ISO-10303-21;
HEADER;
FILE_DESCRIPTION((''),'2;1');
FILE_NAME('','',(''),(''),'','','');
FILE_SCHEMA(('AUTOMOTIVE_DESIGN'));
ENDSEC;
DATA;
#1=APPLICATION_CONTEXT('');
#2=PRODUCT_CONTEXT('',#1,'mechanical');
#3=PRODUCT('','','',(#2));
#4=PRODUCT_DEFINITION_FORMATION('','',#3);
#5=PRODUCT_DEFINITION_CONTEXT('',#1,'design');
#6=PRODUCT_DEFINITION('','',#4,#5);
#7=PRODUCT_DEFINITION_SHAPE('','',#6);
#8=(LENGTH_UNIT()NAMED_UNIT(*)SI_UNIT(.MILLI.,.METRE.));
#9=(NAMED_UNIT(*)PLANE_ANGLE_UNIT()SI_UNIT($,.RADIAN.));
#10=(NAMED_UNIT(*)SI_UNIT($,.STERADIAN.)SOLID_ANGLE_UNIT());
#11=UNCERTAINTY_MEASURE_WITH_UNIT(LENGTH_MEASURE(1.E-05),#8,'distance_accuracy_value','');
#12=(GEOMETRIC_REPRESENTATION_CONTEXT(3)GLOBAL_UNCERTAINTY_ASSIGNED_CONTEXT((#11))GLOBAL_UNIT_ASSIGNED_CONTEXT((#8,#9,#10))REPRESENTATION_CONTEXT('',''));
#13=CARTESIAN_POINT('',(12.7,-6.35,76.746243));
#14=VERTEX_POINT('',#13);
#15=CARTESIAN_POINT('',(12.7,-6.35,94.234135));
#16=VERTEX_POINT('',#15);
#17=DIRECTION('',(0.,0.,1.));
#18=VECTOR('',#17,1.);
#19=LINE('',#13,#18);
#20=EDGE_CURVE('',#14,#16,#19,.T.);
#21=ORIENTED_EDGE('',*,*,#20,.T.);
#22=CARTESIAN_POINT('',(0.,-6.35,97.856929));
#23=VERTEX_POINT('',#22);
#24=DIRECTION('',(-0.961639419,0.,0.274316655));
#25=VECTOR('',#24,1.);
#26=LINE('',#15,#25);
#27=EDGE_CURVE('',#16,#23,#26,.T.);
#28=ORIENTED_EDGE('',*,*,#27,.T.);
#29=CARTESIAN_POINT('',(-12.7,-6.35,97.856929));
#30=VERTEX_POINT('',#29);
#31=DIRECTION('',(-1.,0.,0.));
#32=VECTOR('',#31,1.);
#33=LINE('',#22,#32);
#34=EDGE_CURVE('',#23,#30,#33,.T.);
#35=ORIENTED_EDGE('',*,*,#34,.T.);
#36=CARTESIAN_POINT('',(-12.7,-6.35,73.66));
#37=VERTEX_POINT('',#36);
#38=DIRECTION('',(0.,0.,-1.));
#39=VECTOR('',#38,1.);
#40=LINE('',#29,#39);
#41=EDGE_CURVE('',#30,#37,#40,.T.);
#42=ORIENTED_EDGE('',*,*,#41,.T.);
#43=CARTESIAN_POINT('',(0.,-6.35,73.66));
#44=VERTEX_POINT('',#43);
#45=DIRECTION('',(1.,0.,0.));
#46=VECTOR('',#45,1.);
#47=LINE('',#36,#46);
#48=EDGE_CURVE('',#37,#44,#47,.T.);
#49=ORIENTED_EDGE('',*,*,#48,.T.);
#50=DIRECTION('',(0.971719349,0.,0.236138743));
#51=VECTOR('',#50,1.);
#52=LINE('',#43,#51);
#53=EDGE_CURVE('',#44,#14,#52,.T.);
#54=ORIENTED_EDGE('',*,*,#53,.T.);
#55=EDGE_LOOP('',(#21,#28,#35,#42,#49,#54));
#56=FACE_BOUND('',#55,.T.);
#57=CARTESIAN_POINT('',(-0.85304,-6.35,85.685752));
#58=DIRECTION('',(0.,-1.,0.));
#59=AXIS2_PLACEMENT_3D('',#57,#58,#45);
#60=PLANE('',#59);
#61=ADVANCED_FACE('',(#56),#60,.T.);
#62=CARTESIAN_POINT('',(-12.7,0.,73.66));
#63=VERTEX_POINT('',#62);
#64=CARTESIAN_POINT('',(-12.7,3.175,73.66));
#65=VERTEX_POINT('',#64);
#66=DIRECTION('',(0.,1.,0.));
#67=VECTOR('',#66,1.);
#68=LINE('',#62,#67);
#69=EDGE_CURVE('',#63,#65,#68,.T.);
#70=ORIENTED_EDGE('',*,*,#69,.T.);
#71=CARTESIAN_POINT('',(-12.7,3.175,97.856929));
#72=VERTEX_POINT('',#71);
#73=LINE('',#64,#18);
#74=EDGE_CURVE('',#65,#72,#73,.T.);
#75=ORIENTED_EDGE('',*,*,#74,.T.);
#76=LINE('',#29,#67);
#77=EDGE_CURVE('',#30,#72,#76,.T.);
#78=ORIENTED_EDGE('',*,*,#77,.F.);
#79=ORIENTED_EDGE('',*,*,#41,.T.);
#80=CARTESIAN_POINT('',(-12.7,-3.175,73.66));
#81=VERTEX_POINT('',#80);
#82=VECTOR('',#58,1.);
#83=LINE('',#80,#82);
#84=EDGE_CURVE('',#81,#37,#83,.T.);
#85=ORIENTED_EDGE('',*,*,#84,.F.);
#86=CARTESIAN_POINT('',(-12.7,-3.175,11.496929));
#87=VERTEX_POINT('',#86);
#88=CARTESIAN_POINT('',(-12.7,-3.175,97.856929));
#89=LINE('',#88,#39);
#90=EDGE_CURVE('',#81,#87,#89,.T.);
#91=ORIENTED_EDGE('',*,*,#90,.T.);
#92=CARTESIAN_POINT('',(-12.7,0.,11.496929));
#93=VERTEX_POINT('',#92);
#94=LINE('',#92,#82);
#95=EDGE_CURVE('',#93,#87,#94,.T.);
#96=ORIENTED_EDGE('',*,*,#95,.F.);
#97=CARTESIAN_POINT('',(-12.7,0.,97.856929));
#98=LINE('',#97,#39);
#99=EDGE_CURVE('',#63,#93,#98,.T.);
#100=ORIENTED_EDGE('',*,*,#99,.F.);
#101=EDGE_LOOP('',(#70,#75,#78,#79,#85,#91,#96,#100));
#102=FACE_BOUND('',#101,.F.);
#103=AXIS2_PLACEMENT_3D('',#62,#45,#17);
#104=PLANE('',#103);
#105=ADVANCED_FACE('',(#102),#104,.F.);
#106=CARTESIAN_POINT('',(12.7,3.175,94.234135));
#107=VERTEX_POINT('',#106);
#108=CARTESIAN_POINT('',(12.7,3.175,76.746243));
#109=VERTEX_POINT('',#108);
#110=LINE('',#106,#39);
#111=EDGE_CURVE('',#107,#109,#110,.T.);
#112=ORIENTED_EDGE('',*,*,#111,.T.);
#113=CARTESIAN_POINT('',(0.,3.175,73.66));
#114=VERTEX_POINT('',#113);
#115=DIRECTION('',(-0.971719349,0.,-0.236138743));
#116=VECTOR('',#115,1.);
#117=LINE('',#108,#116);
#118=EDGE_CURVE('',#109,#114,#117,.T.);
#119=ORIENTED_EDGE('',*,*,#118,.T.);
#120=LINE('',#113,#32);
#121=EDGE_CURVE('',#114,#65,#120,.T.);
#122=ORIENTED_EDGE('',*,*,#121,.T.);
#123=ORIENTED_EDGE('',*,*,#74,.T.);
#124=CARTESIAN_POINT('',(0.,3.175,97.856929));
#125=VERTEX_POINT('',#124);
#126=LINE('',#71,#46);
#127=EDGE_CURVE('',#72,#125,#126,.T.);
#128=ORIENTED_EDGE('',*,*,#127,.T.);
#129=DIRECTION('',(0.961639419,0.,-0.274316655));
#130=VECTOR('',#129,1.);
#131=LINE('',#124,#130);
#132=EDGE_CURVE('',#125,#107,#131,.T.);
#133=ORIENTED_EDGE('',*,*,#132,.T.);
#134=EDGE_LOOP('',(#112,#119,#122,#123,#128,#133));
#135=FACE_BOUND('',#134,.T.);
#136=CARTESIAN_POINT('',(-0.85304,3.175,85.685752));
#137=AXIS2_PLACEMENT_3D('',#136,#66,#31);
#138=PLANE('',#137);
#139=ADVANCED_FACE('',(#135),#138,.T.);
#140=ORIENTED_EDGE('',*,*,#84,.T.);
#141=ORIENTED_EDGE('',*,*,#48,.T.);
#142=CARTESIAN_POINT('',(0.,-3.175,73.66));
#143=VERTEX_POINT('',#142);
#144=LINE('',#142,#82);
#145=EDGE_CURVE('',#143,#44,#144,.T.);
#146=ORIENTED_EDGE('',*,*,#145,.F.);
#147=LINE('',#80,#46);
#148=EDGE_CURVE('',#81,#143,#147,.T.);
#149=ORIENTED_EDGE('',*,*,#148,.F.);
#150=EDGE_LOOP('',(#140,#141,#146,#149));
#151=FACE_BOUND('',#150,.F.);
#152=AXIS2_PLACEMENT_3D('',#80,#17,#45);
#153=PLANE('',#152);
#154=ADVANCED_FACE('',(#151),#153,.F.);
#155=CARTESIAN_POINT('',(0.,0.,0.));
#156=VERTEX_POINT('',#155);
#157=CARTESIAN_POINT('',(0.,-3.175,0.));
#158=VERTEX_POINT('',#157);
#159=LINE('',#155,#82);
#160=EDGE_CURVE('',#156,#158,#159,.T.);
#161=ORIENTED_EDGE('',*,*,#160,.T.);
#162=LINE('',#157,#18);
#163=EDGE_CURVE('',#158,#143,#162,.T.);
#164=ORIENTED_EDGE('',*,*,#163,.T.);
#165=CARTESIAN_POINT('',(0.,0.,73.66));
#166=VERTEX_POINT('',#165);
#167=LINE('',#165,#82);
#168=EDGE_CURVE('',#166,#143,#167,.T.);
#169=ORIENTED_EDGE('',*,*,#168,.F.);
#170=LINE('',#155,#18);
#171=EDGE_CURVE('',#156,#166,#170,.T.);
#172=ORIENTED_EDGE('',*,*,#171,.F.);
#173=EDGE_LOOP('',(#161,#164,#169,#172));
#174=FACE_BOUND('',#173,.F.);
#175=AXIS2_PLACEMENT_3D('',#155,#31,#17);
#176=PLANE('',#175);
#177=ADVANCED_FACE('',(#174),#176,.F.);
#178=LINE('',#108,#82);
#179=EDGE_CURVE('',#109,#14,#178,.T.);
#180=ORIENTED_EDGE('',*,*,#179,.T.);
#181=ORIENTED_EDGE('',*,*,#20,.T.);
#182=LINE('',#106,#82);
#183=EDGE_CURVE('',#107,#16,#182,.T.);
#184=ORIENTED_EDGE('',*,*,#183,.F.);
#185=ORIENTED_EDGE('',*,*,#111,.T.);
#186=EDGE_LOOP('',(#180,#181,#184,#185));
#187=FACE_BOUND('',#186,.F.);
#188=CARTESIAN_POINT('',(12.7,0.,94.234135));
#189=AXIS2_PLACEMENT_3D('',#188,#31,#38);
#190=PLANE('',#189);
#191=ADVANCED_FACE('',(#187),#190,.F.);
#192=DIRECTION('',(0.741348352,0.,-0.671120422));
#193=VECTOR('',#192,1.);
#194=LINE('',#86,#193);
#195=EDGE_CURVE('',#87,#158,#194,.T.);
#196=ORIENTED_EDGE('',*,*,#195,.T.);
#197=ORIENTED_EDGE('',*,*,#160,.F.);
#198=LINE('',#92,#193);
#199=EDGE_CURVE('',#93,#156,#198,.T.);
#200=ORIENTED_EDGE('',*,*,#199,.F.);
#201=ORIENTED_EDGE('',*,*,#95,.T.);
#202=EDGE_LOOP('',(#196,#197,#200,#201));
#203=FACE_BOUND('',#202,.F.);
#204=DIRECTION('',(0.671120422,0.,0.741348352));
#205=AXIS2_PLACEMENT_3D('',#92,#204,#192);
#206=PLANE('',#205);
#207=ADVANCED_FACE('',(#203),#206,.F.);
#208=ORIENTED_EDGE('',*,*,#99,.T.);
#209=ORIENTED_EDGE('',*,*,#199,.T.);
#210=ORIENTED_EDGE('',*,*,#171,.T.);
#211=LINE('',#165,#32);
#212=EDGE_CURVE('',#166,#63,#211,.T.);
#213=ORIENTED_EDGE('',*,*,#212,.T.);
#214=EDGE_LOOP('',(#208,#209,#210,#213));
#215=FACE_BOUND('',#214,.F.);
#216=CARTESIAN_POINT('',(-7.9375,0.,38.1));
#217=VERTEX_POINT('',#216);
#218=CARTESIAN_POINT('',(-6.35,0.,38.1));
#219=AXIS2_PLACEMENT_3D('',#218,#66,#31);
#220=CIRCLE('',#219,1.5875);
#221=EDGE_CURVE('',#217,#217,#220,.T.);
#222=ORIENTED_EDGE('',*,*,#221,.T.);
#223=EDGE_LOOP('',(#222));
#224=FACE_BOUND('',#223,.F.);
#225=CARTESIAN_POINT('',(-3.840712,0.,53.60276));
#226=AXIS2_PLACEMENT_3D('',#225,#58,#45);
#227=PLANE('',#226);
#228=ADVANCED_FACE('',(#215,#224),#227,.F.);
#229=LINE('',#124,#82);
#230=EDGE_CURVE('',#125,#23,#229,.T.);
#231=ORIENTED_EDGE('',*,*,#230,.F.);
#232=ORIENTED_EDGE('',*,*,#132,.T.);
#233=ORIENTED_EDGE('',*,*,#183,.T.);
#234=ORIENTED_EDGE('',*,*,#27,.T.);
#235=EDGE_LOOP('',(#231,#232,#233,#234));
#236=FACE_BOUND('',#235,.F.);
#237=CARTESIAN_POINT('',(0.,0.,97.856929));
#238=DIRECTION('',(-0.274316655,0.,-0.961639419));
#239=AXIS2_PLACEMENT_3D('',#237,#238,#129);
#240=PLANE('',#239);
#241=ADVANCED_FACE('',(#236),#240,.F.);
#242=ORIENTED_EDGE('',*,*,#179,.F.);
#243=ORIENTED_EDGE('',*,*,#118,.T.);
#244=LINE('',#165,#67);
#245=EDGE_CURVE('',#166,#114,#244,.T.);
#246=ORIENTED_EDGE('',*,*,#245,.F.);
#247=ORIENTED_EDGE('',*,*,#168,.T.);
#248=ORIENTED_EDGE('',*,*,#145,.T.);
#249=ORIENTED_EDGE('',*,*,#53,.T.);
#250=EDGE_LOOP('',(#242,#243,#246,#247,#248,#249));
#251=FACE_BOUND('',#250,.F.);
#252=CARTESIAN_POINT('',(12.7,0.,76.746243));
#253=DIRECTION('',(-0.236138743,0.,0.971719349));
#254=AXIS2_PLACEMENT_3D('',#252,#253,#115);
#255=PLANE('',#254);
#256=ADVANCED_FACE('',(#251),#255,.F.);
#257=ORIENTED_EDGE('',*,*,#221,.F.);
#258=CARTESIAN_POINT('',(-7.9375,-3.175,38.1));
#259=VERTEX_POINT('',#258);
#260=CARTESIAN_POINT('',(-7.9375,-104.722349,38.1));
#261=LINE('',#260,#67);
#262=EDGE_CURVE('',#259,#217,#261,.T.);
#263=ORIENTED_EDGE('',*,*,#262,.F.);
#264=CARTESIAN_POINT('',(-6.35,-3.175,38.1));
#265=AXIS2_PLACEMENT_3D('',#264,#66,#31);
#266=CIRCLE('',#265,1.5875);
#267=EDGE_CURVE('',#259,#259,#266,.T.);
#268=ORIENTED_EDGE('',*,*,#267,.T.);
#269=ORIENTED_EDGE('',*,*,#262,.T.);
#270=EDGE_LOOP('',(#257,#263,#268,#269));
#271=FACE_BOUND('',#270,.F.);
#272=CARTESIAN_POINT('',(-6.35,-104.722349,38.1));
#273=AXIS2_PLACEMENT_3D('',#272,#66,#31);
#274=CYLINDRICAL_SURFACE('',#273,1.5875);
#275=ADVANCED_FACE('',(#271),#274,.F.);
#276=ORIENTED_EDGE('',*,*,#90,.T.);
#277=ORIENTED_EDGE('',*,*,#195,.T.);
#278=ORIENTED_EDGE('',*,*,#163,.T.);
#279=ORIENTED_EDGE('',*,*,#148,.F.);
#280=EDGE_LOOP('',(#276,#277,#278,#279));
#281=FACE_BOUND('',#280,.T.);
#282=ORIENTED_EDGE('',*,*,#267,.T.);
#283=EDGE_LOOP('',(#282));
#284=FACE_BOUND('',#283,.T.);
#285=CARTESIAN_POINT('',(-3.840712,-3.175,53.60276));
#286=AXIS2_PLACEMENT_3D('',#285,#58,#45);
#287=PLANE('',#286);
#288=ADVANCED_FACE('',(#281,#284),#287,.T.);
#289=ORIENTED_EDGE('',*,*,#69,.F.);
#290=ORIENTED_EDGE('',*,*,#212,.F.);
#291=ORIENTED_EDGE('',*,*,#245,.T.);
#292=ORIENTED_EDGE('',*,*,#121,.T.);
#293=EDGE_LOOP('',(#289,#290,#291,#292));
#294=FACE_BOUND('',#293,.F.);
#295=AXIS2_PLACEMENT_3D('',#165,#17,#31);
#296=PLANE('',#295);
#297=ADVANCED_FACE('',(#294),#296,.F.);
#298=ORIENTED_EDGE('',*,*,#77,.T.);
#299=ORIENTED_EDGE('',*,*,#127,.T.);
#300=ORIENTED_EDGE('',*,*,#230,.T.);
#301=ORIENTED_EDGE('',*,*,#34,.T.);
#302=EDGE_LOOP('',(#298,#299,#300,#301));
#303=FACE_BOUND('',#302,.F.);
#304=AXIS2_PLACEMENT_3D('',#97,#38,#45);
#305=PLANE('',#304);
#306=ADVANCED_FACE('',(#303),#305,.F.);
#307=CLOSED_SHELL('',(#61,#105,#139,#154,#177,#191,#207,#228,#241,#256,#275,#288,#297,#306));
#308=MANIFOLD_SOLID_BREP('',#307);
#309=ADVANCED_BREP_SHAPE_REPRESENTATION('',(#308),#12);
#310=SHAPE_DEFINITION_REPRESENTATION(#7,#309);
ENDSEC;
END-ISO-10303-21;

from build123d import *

# Parameters (mm, degrees)
F1_DEPTH = 3.175
F3_DEPTH = 3.175
F5_DEPTH = 3.175
F8_D     = 3.175


with BuildPart() as f1:
    # F0 (on Front) → F1 (new body)
    with BuildSketch(Plane.XZ):
        Polygon((-12.7, 11.496929), (0, 0), (0, 73.66), (12.7, 76.746243), (12.7, 94.234135), (0, 97.856929), (-12.7, 97.856929), align=None)
    extrude(amount=F1_DEPTH)

    # F2 (on face) → F3 (join)
    with BuildSketch(Plane.XZ.offset(3.175)):
        Polygon((0, 97.856929), (-12.7, 97.856929), (-12.7, 73.66), (0, 73.66), (12.7, 76.746243), (12.7, 94.234135), align=None)
    extrude(amount=F3_DEPTH)

    # F4 (on face) → F5 (join)
    with BuildSketch(Plane(origin=(0, 0, 0), x_dir=(-1, 0, 0), z_dir=(0, 1, 0))):
        Polygon((-12.7, 76.746243), (0, 73.66), (12.7, 73.66), (12.7, 97.856929), (0, 97.856929), (-12.7, 94.234135), align=None)
    extrude(amount=F5_DEPTH)

    # F8 (through all)
    with Locations(Plane.XZ.offset(3.175)):
        with Locations((-6.35, 38.1)):
            Hole(F8_D / 2)


solid = f1.part
